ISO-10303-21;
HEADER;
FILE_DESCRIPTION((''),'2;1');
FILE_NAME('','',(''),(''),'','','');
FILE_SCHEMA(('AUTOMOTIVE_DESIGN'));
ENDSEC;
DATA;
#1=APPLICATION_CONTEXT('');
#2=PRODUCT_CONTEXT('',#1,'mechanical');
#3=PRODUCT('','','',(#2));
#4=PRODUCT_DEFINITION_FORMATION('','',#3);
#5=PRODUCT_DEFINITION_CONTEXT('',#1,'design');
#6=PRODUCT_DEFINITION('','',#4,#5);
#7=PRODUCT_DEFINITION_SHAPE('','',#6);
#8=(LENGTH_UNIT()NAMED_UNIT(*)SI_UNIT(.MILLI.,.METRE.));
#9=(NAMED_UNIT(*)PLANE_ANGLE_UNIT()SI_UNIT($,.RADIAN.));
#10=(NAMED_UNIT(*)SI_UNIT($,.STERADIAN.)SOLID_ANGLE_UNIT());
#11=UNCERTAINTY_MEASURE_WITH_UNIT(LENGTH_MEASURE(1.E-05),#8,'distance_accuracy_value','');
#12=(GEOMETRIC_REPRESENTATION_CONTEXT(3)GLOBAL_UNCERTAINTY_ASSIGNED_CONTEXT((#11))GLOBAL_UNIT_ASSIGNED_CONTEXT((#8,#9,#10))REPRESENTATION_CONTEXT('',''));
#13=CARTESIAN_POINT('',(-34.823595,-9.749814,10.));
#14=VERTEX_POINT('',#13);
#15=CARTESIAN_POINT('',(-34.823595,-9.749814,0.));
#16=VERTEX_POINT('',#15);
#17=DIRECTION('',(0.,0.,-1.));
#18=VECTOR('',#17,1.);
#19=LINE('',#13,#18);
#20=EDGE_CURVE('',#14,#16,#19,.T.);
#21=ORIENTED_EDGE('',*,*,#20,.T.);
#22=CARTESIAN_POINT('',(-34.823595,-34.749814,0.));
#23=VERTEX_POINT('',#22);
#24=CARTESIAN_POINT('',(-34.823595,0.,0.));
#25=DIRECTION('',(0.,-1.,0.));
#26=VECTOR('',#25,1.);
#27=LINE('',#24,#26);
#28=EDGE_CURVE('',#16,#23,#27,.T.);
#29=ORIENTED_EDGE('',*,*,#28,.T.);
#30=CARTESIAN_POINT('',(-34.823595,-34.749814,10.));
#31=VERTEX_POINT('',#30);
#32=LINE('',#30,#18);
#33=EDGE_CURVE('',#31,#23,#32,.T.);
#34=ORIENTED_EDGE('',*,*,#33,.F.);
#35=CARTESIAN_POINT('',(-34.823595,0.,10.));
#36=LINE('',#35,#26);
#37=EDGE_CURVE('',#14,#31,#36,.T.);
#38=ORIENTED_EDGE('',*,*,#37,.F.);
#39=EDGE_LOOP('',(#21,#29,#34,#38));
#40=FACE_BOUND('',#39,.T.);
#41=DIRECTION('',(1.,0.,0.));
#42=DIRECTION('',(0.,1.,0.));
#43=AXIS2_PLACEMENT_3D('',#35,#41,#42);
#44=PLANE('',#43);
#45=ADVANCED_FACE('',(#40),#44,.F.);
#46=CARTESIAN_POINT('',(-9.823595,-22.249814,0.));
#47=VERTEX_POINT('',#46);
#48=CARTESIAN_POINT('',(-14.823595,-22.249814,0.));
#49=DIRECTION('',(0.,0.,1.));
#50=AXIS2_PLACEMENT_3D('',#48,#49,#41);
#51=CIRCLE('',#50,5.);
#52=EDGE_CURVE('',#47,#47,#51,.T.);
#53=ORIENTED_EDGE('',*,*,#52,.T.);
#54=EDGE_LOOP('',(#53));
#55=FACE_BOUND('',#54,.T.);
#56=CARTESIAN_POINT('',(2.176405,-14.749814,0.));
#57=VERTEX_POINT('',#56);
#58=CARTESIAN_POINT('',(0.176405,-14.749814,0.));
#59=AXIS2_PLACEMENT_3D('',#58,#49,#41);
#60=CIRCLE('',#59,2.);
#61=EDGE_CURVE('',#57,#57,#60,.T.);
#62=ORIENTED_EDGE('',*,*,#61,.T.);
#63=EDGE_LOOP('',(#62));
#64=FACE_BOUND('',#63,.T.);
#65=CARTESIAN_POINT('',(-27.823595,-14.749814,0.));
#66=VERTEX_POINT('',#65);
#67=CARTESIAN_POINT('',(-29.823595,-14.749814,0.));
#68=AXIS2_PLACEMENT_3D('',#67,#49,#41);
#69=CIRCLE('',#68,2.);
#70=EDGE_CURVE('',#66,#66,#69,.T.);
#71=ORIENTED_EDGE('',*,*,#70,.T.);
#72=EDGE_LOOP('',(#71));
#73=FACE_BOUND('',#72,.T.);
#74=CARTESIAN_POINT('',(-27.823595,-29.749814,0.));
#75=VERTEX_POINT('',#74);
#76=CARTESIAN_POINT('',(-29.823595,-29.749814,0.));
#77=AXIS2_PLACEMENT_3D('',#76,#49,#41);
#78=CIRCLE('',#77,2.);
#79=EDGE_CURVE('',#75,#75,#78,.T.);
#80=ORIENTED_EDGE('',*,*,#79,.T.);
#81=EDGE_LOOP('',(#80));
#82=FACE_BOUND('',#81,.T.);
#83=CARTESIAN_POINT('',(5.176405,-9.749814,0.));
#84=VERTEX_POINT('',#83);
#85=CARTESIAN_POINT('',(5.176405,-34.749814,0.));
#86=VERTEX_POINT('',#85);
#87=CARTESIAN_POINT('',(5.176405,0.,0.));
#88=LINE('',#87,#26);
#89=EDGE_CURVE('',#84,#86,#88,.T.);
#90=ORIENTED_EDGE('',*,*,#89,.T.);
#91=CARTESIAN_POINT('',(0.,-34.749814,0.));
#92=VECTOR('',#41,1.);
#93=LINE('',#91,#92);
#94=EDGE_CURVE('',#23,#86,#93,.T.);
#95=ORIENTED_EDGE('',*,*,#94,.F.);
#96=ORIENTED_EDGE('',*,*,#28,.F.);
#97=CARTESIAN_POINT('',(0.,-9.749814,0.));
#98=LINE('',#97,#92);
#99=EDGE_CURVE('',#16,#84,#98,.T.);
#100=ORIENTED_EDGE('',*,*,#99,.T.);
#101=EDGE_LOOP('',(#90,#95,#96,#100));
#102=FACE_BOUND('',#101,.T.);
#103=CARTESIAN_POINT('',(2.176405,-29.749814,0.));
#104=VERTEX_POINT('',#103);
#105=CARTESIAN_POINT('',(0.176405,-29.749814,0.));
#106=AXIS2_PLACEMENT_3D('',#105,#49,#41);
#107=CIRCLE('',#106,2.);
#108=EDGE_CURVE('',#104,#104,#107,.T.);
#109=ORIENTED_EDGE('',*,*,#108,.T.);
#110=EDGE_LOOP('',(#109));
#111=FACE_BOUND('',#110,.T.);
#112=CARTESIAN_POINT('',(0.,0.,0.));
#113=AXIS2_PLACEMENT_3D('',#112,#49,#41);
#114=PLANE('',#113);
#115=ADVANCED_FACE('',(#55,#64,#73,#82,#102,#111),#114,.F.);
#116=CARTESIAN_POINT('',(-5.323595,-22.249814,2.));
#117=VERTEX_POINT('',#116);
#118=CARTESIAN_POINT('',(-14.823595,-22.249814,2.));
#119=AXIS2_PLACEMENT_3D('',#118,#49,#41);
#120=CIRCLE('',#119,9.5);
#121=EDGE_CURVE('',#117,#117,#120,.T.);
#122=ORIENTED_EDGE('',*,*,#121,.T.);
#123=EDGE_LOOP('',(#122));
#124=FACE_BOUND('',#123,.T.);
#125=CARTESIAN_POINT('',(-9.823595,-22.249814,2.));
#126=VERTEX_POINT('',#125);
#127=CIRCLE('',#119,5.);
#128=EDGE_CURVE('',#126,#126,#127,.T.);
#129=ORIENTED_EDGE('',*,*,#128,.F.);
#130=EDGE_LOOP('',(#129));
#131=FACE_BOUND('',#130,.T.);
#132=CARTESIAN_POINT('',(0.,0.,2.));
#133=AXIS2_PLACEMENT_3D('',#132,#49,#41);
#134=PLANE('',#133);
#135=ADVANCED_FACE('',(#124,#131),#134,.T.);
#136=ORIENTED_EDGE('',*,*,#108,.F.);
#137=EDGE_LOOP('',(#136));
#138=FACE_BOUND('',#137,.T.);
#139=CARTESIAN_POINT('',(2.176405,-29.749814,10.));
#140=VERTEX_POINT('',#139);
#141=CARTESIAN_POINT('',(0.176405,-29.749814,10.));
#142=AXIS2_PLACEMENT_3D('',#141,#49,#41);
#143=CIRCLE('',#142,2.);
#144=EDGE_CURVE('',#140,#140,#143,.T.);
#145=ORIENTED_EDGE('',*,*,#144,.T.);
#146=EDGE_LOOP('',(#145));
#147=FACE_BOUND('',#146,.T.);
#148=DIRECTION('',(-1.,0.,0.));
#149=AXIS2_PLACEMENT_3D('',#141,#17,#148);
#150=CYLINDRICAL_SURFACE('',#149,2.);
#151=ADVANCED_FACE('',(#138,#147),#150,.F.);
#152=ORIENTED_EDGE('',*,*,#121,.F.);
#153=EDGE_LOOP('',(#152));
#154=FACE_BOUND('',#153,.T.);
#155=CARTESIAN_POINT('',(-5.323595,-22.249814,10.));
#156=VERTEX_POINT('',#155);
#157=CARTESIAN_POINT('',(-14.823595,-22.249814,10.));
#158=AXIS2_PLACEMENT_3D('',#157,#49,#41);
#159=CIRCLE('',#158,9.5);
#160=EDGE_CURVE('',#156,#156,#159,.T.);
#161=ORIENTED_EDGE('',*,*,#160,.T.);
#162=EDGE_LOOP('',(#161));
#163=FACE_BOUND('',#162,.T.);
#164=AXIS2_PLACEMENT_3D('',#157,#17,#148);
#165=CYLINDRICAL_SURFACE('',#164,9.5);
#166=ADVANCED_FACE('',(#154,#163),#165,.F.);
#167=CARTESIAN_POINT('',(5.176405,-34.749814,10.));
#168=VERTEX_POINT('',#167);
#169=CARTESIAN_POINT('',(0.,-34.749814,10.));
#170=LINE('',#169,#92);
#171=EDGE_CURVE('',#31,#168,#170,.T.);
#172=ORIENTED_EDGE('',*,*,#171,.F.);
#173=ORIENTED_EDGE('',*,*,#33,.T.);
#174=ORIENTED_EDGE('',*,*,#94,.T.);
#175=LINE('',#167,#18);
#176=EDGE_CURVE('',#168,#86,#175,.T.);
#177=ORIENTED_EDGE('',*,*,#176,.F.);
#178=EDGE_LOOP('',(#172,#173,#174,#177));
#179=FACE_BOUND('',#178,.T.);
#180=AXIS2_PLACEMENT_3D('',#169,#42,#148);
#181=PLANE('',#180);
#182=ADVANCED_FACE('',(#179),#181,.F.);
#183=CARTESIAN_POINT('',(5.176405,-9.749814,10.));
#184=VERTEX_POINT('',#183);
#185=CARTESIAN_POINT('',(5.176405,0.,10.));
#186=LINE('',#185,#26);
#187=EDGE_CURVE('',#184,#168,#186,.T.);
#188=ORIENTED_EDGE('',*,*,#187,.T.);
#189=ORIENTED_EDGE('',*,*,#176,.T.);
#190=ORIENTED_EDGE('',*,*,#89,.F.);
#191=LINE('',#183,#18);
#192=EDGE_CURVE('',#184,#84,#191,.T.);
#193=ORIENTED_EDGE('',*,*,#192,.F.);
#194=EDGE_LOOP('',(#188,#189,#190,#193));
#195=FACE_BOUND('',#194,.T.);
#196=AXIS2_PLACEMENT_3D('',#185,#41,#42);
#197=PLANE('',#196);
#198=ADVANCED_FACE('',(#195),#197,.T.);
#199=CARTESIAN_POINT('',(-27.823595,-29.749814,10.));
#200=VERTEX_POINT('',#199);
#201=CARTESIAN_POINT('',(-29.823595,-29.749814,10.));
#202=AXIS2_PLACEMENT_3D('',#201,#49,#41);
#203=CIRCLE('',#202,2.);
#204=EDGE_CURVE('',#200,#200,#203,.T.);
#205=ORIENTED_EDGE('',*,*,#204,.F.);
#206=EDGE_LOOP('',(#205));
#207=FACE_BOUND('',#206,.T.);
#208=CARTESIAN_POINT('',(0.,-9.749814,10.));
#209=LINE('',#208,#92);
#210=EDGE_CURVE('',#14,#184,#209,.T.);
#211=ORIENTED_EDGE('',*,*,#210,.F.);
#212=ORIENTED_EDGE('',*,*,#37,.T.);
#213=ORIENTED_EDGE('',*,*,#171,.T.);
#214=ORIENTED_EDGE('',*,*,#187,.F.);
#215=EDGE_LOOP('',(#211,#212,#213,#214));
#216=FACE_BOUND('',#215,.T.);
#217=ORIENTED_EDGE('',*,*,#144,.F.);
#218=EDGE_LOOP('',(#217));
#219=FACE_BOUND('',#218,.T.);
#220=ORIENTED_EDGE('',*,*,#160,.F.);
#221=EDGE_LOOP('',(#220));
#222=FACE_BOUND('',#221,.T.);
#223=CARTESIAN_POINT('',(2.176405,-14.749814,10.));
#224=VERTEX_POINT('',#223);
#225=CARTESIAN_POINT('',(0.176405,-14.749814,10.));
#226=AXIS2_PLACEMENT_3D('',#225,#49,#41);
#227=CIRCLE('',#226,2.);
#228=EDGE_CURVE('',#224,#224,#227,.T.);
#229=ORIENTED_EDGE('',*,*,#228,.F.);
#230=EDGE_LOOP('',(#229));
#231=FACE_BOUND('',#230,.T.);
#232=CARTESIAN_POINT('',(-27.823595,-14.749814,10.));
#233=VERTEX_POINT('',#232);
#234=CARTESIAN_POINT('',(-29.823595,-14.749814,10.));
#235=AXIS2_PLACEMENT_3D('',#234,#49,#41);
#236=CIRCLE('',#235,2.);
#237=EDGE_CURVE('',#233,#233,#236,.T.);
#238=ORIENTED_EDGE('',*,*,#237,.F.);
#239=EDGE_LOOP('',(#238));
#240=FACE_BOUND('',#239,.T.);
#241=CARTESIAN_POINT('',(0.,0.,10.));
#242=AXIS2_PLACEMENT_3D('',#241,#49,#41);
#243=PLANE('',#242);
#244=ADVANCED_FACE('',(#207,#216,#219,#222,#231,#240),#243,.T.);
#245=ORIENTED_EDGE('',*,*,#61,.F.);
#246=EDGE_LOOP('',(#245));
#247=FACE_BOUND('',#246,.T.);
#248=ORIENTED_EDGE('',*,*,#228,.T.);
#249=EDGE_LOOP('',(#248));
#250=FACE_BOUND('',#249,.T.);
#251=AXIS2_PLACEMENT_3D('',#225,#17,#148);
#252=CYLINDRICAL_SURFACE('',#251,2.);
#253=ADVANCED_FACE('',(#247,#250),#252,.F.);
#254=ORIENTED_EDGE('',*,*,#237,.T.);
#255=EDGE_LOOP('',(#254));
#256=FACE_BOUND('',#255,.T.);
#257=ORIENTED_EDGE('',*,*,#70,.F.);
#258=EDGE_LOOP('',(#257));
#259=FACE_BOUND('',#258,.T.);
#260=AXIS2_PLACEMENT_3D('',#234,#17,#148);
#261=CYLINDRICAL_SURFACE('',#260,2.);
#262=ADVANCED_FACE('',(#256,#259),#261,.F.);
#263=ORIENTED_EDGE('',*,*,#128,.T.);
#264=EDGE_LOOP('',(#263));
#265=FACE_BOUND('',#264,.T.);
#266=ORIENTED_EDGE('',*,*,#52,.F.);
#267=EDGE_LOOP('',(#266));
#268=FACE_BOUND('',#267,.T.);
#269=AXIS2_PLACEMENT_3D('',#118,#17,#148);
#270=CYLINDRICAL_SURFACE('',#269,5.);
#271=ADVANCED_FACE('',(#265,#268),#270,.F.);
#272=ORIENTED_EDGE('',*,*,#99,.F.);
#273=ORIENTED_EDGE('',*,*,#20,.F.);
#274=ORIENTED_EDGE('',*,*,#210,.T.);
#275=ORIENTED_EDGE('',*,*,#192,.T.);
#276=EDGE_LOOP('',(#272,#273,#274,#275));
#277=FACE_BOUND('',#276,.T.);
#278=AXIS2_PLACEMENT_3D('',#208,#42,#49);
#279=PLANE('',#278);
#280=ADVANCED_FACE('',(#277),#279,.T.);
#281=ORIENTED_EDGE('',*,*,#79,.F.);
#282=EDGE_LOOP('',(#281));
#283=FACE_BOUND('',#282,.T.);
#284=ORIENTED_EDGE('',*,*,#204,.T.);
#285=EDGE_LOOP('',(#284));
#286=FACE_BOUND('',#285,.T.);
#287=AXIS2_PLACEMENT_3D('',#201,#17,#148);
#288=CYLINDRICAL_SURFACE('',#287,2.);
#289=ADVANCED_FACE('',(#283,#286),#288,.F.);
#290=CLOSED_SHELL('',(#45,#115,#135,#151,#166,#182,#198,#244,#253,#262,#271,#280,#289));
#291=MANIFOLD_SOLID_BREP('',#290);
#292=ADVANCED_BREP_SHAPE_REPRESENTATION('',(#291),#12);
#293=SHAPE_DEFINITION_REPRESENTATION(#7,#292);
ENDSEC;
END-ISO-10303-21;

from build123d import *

# Parameters (mm, degrees)
ESQUISSE1_W        = 40
ESQUISSE1_H        = 25
ESQUISSE1_R        = 2
ESQUISSE1_R_2      = 9.5
BOSS_EXTRU_1_DEPTH = 10
ESQUISSE1_4_R      = 9.5
ESQUISSE1_4_R_2    = 5
BOSS_EXTRU_2_DEPTH = 2


with BuildPart() as part:
    # Esquisse1 → Boss.-Extru.1 (new body)
    with BuildSketch(Plane.XY):
        with Locations((-14.823595047, -22.249813872)):
            Rectangle(ESQUISSE1_W, ESQUISSE1_H)
        with Locations((-29.823595047, -29.749813872)):
            Circle(ESQUISSE1_R, mode=Mode.SUBTRACT)
        with Locations((0.176404953, -29.749813872)):
            Circle(ESQUISSE1_R, mode=Mode.SUBTRACT)
        with Locations((-14.823595047, -22.249813872)):
            Circle(ESQUISSE1_R_2, mode=Mode.SUBTRACT)
        with Locations((-29.823595047, -14.749813872)):
            Circle(ESQUISSE1_R, mode=Mode.SUBTRACT)
        with Locations((0.176404953, -14.749813872)):
            Circle(ESQUISSE1_R, mode=Mode.SUBTRACT)
    extrude(amount=BOSS_EXTRU_1_DEPTH)

    # Esquisse1_4 → Boss.-Extru.2 (add)
    with BuildSketch(Plane.XY):
        with Locations((-14.823595047, -22.249813872)):
            Circle(ESQUISSE1_4_R)
        with Locations((-14.823595047, -22.249813872)):
            Circle(ESQUISSE1_4_R_2, mode=Mode.SUBTRACT)
    extrude(amount=BOSS_EXTRU_2_DEPTH)


solid = part.part
